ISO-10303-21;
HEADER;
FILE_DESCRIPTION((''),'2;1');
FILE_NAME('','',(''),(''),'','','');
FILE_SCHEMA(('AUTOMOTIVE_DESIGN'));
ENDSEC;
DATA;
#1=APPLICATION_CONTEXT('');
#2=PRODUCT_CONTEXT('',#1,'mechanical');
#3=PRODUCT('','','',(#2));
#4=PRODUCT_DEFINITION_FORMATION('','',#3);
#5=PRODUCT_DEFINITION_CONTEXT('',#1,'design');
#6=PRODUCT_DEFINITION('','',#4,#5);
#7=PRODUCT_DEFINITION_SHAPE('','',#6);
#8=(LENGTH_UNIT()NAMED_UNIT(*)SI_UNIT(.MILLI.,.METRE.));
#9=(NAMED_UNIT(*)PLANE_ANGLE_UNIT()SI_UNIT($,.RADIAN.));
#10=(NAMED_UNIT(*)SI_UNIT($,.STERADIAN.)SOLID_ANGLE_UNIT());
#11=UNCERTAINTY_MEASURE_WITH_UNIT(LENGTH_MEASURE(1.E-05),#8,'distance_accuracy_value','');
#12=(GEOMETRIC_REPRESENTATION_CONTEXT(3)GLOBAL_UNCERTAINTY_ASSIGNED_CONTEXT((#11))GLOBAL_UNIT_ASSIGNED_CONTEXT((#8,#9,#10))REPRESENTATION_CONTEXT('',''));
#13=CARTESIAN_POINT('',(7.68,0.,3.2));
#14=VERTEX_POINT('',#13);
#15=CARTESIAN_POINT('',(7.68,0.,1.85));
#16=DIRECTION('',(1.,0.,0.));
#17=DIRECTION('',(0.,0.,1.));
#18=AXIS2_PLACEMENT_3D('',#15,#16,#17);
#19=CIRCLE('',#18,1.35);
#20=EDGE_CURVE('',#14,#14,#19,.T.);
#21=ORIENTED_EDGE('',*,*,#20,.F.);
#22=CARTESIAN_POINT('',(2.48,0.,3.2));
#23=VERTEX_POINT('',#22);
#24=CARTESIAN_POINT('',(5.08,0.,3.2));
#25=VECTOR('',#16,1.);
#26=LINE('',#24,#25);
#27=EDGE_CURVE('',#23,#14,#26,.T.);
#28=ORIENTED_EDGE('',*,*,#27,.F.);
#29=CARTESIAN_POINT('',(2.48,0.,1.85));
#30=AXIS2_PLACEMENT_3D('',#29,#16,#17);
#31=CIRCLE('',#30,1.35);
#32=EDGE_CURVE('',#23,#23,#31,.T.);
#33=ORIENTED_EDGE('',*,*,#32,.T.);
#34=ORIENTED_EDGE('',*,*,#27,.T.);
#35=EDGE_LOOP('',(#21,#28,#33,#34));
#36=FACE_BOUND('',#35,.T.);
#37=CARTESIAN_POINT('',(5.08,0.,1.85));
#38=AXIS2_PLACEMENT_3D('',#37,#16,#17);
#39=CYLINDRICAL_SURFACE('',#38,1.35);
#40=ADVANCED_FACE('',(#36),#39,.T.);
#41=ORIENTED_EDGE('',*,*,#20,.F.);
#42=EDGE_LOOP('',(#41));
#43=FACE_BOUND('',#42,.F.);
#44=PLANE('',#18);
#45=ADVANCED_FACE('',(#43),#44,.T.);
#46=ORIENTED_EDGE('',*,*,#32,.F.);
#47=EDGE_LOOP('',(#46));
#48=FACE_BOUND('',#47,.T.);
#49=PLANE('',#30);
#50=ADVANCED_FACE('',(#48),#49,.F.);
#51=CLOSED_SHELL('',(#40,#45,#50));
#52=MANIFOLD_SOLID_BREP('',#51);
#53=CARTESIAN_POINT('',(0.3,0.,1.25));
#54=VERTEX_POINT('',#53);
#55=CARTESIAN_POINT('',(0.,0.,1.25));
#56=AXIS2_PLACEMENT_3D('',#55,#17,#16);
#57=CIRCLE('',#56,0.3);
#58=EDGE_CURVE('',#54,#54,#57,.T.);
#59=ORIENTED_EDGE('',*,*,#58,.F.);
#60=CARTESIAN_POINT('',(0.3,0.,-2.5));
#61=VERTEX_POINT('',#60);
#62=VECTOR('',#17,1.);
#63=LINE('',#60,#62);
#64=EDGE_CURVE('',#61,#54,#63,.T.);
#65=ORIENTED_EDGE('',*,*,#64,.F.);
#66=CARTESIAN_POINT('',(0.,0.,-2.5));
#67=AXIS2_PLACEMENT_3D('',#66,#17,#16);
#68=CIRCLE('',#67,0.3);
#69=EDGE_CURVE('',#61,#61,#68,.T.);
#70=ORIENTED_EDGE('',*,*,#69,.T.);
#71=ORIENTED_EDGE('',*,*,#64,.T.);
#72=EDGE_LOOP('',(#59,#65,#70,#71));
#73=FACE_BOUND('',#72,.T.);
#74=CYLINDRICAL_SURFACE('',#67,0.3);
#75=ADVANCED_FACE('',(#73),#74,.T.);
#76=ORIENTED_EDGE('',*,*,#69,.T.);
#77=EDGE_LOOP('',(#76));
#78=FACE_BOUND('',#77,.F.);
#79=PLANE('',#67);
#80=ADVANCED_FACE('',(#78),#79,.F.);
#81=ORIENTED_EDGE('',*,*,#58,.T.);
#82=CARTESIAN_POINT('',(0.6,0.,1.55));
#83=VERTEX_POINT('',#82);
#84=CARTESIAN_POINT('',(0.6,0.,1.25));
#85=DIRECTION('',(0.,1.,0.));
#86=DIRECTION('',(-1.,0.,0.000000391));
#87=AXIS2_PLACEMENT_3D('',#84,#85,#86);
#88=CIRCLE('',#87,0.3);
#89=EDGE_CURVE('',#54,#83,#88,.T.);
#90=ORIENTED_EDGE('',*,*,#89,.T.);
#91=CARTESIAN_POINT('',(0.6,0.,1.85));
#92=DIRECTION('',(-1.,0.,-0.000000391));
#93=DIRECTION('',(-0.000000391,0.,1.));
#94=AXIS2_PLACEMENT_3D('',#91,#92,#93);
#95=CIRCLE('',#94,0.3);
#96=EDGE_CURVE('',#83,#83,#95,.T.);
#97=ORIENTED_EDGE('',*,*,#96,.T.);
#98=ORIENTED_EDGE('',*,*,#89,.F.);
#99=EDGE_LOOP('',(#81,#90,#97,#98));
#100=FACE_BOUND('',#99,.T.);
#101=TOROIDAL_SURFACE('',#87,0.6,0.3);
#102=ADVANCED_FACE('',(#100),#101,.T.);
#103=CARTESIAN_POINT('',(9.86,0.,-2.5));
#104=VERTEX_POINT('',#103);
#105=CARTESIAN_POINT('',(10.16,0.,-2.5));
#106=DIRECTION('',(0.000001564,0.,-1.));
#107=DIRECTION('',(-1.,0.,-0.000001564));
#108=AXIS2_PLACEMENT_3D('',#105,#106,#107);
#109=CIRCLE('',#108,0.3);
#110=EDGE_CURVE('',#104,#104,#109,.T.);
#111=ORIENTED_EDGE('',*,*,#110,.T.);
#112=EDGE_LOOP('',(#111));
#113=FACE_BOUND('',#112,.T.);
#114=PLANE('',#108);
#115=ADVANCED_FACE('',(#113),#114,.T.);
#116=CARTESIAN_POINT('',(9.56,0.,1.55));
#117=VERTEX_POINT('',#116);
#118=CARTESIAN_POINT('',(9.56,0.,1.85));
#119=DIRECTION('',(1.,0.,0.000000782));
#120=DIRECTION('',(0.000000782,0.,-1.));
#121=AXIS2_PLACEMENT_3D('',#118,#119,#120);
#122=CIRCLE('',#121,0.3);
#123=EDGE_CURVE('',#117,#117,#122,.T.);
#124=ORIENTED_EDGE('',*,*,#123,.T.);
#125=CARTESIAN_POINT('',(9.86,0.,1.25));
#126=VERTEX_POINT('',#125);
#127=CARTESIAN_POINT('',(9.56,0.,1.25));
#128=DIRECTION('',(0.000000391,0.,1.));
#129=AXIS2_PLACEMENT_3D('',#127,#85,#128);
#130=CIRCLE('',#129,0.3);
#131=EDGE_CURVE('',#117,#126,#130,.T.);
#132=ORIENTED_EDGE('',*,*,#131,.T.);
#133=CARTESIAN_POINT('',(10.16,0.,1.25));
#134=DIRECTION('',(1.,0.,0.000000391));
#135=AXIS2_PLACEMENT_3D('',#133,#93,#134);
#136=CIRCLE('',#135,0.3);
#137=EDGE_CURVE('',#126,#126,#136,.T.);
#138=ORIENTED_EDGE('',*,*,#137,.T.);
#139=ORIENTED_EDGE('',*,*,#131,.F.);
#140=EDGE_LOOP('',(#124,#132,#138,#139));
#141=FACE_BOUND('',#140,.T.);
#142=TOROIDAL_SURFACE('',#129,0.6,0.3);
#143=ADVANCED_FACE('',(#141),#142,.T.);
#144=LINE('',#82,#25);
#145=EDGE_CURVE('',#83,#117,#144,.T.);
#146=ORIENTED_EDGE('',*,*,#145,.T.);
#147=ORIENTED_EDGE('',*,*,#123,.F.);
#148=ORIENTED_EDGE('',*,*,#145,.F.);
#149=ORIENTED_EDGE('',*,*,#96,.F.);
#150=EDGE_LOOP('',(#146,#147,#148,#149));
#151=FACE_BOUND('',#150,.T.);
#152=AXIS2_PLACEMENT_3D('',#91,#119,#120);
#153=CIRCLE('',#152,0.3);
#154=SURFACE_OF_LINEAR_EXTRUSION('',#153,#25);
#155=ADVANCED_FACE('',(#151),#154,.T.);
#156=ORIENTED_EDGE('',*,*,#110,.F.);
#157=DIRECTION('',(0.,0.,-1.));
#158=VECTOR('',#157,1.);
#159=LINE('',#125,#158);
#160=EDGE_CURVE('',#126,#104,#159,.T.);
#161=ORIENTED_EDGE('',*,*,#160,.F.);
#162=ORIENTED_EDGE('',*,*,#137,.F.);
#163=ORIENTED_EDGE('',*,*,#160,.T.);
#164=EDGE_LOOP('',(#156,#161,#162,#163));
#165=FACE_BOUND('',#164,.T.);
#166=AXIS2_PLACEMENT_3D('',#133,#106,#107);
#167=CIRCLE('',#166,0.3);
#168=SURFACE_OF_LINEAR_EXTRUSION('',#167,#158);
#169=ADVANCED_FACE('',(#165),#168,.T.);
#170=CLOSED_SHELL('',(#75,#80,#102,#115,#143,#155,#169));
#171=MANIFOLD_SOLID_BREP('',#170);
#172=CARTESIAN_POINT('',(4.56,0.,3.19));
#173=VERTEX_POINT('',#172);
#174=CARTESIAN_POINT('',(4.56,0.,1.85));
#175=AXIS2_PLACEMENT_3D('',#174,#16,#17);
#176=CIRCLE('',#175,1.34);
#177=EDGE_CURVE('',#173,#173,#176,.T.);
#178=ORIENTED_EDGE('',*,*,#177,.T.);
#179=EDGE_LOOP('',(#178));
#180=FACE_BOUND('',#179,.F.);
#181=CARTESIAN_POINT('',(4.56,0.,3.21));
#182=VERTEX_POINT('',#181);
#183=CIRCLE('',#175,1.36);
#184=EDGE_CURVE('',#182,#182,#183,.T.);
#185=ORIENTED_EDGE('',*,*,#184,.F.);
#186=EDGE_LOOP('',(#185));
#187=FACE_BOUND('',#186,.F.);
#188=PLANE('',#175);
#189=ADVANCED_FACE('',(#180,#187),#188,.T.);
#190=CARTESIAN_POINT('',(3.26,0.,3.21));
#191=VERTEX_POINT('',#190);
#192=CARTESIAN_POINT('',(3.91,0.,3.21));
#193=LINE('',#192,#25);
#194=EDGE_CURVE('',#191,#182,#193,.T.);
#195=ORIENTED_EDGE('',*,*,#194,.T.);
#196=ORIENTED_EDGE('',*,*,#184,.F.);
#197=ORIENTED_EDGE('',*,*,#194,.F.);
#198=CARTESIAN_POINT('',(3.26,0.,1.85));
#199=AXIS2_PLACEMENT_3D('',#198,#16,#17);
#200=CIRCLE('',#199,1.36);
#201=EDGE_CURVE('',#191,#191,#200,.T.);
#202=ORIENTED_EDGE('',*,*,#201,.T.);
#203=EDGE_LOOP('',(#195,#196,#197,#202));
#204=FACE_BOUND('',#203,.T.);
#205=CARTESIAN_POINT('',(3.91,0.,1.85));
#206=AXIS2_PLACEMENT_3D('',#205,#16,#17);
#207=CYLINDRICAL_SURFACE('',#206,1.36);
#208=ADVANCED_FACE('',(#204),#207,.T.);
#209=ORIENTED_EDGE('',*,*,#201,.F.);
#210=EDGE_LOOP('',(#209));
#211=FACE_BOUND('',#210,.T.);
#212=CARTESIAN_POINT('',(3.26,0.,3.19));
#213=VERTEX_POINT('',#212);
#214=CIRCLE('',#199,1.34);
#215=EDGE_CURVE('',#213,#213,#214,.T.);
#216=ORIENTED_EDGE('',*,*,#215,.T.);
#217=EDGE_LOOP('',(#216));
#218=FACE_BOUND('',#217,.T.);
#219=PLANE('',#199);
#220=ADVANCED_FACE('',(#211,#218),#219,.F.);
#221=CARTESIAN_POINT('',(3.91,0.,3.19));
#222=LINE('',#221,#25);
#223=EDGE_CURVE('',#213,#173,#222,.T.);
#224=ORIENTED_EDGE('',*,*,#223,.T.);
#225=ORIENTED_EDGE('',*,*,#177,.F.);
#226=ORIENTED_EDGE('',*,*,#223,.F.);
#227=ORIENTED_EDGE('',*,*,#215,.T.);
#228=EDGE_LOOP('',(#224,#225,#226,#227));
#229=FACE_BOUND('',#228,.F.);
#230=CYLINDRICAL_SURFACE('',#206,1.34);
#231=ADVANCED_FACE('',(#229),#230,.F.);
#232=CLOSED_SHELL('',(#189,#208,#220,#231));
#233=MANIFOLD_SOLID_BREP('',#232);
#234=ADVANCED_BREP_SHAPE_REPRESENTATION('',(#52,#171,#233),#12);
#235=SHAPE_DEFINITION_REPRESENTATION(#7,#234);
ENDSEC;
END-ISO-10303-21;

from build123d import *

# Parameters (mm, degrees)
SKETCH002_W = 5.2
SKETCH002_H = 1.35
SKETCH003_W = 1.3
SKETCH003_H = 0.02
SKETCH_R    = 0.3


with BuildPart() as revolution:
    # Sketch002 → Revolution (revolve)
    with BuildSketch(Plane.XZ):
        with Locations((5.08, 2.525)):
            Rectangle(SKETCH002_W, SKETCH002_H)
    revolve(axis=Axis((2.48, 0, 1.85), (1, 0, 0)))


with BuildPart() as revolution001:
    # Sketch003 → Revolution001 (revolve)
    with BuildSketch(Plane.XZ):
        with Locations((3.91, 3.2)):
            Rectangle(SKETCH003_W, SKETCH003_H)
    revolve(axis=Axis((0, 0, 1.85), (1, 0, 0)))


with BuildPart() as sweep_body:
    # Sweep: sweep along a path in Sketch001
    with BuildLine(Plane.XZ) as sweep_path:
        Line((0, -2.5), (0, 1.25))
        ThreePointArc((0, 1.25), (0.175736, 1.674264), (0.6, 1.85))
        Line((0.6, 1.85), (9.56, 1.85))
        ThreePointArc((9.56, 1.85), (9.984264, 1.674264), (10.16, 1.25))
        Line((10.16, 1.25), (10.16, -2.5))
    # Sketch → Sweep (sweep)
    with BuildSketch(Plane.XY.offset(-2)):
        Circle(SKETCH_R)
    sweep(path=sweep_path.line)


solid = Compound([revolution.part, revolution001.part, sweep_body.part])
